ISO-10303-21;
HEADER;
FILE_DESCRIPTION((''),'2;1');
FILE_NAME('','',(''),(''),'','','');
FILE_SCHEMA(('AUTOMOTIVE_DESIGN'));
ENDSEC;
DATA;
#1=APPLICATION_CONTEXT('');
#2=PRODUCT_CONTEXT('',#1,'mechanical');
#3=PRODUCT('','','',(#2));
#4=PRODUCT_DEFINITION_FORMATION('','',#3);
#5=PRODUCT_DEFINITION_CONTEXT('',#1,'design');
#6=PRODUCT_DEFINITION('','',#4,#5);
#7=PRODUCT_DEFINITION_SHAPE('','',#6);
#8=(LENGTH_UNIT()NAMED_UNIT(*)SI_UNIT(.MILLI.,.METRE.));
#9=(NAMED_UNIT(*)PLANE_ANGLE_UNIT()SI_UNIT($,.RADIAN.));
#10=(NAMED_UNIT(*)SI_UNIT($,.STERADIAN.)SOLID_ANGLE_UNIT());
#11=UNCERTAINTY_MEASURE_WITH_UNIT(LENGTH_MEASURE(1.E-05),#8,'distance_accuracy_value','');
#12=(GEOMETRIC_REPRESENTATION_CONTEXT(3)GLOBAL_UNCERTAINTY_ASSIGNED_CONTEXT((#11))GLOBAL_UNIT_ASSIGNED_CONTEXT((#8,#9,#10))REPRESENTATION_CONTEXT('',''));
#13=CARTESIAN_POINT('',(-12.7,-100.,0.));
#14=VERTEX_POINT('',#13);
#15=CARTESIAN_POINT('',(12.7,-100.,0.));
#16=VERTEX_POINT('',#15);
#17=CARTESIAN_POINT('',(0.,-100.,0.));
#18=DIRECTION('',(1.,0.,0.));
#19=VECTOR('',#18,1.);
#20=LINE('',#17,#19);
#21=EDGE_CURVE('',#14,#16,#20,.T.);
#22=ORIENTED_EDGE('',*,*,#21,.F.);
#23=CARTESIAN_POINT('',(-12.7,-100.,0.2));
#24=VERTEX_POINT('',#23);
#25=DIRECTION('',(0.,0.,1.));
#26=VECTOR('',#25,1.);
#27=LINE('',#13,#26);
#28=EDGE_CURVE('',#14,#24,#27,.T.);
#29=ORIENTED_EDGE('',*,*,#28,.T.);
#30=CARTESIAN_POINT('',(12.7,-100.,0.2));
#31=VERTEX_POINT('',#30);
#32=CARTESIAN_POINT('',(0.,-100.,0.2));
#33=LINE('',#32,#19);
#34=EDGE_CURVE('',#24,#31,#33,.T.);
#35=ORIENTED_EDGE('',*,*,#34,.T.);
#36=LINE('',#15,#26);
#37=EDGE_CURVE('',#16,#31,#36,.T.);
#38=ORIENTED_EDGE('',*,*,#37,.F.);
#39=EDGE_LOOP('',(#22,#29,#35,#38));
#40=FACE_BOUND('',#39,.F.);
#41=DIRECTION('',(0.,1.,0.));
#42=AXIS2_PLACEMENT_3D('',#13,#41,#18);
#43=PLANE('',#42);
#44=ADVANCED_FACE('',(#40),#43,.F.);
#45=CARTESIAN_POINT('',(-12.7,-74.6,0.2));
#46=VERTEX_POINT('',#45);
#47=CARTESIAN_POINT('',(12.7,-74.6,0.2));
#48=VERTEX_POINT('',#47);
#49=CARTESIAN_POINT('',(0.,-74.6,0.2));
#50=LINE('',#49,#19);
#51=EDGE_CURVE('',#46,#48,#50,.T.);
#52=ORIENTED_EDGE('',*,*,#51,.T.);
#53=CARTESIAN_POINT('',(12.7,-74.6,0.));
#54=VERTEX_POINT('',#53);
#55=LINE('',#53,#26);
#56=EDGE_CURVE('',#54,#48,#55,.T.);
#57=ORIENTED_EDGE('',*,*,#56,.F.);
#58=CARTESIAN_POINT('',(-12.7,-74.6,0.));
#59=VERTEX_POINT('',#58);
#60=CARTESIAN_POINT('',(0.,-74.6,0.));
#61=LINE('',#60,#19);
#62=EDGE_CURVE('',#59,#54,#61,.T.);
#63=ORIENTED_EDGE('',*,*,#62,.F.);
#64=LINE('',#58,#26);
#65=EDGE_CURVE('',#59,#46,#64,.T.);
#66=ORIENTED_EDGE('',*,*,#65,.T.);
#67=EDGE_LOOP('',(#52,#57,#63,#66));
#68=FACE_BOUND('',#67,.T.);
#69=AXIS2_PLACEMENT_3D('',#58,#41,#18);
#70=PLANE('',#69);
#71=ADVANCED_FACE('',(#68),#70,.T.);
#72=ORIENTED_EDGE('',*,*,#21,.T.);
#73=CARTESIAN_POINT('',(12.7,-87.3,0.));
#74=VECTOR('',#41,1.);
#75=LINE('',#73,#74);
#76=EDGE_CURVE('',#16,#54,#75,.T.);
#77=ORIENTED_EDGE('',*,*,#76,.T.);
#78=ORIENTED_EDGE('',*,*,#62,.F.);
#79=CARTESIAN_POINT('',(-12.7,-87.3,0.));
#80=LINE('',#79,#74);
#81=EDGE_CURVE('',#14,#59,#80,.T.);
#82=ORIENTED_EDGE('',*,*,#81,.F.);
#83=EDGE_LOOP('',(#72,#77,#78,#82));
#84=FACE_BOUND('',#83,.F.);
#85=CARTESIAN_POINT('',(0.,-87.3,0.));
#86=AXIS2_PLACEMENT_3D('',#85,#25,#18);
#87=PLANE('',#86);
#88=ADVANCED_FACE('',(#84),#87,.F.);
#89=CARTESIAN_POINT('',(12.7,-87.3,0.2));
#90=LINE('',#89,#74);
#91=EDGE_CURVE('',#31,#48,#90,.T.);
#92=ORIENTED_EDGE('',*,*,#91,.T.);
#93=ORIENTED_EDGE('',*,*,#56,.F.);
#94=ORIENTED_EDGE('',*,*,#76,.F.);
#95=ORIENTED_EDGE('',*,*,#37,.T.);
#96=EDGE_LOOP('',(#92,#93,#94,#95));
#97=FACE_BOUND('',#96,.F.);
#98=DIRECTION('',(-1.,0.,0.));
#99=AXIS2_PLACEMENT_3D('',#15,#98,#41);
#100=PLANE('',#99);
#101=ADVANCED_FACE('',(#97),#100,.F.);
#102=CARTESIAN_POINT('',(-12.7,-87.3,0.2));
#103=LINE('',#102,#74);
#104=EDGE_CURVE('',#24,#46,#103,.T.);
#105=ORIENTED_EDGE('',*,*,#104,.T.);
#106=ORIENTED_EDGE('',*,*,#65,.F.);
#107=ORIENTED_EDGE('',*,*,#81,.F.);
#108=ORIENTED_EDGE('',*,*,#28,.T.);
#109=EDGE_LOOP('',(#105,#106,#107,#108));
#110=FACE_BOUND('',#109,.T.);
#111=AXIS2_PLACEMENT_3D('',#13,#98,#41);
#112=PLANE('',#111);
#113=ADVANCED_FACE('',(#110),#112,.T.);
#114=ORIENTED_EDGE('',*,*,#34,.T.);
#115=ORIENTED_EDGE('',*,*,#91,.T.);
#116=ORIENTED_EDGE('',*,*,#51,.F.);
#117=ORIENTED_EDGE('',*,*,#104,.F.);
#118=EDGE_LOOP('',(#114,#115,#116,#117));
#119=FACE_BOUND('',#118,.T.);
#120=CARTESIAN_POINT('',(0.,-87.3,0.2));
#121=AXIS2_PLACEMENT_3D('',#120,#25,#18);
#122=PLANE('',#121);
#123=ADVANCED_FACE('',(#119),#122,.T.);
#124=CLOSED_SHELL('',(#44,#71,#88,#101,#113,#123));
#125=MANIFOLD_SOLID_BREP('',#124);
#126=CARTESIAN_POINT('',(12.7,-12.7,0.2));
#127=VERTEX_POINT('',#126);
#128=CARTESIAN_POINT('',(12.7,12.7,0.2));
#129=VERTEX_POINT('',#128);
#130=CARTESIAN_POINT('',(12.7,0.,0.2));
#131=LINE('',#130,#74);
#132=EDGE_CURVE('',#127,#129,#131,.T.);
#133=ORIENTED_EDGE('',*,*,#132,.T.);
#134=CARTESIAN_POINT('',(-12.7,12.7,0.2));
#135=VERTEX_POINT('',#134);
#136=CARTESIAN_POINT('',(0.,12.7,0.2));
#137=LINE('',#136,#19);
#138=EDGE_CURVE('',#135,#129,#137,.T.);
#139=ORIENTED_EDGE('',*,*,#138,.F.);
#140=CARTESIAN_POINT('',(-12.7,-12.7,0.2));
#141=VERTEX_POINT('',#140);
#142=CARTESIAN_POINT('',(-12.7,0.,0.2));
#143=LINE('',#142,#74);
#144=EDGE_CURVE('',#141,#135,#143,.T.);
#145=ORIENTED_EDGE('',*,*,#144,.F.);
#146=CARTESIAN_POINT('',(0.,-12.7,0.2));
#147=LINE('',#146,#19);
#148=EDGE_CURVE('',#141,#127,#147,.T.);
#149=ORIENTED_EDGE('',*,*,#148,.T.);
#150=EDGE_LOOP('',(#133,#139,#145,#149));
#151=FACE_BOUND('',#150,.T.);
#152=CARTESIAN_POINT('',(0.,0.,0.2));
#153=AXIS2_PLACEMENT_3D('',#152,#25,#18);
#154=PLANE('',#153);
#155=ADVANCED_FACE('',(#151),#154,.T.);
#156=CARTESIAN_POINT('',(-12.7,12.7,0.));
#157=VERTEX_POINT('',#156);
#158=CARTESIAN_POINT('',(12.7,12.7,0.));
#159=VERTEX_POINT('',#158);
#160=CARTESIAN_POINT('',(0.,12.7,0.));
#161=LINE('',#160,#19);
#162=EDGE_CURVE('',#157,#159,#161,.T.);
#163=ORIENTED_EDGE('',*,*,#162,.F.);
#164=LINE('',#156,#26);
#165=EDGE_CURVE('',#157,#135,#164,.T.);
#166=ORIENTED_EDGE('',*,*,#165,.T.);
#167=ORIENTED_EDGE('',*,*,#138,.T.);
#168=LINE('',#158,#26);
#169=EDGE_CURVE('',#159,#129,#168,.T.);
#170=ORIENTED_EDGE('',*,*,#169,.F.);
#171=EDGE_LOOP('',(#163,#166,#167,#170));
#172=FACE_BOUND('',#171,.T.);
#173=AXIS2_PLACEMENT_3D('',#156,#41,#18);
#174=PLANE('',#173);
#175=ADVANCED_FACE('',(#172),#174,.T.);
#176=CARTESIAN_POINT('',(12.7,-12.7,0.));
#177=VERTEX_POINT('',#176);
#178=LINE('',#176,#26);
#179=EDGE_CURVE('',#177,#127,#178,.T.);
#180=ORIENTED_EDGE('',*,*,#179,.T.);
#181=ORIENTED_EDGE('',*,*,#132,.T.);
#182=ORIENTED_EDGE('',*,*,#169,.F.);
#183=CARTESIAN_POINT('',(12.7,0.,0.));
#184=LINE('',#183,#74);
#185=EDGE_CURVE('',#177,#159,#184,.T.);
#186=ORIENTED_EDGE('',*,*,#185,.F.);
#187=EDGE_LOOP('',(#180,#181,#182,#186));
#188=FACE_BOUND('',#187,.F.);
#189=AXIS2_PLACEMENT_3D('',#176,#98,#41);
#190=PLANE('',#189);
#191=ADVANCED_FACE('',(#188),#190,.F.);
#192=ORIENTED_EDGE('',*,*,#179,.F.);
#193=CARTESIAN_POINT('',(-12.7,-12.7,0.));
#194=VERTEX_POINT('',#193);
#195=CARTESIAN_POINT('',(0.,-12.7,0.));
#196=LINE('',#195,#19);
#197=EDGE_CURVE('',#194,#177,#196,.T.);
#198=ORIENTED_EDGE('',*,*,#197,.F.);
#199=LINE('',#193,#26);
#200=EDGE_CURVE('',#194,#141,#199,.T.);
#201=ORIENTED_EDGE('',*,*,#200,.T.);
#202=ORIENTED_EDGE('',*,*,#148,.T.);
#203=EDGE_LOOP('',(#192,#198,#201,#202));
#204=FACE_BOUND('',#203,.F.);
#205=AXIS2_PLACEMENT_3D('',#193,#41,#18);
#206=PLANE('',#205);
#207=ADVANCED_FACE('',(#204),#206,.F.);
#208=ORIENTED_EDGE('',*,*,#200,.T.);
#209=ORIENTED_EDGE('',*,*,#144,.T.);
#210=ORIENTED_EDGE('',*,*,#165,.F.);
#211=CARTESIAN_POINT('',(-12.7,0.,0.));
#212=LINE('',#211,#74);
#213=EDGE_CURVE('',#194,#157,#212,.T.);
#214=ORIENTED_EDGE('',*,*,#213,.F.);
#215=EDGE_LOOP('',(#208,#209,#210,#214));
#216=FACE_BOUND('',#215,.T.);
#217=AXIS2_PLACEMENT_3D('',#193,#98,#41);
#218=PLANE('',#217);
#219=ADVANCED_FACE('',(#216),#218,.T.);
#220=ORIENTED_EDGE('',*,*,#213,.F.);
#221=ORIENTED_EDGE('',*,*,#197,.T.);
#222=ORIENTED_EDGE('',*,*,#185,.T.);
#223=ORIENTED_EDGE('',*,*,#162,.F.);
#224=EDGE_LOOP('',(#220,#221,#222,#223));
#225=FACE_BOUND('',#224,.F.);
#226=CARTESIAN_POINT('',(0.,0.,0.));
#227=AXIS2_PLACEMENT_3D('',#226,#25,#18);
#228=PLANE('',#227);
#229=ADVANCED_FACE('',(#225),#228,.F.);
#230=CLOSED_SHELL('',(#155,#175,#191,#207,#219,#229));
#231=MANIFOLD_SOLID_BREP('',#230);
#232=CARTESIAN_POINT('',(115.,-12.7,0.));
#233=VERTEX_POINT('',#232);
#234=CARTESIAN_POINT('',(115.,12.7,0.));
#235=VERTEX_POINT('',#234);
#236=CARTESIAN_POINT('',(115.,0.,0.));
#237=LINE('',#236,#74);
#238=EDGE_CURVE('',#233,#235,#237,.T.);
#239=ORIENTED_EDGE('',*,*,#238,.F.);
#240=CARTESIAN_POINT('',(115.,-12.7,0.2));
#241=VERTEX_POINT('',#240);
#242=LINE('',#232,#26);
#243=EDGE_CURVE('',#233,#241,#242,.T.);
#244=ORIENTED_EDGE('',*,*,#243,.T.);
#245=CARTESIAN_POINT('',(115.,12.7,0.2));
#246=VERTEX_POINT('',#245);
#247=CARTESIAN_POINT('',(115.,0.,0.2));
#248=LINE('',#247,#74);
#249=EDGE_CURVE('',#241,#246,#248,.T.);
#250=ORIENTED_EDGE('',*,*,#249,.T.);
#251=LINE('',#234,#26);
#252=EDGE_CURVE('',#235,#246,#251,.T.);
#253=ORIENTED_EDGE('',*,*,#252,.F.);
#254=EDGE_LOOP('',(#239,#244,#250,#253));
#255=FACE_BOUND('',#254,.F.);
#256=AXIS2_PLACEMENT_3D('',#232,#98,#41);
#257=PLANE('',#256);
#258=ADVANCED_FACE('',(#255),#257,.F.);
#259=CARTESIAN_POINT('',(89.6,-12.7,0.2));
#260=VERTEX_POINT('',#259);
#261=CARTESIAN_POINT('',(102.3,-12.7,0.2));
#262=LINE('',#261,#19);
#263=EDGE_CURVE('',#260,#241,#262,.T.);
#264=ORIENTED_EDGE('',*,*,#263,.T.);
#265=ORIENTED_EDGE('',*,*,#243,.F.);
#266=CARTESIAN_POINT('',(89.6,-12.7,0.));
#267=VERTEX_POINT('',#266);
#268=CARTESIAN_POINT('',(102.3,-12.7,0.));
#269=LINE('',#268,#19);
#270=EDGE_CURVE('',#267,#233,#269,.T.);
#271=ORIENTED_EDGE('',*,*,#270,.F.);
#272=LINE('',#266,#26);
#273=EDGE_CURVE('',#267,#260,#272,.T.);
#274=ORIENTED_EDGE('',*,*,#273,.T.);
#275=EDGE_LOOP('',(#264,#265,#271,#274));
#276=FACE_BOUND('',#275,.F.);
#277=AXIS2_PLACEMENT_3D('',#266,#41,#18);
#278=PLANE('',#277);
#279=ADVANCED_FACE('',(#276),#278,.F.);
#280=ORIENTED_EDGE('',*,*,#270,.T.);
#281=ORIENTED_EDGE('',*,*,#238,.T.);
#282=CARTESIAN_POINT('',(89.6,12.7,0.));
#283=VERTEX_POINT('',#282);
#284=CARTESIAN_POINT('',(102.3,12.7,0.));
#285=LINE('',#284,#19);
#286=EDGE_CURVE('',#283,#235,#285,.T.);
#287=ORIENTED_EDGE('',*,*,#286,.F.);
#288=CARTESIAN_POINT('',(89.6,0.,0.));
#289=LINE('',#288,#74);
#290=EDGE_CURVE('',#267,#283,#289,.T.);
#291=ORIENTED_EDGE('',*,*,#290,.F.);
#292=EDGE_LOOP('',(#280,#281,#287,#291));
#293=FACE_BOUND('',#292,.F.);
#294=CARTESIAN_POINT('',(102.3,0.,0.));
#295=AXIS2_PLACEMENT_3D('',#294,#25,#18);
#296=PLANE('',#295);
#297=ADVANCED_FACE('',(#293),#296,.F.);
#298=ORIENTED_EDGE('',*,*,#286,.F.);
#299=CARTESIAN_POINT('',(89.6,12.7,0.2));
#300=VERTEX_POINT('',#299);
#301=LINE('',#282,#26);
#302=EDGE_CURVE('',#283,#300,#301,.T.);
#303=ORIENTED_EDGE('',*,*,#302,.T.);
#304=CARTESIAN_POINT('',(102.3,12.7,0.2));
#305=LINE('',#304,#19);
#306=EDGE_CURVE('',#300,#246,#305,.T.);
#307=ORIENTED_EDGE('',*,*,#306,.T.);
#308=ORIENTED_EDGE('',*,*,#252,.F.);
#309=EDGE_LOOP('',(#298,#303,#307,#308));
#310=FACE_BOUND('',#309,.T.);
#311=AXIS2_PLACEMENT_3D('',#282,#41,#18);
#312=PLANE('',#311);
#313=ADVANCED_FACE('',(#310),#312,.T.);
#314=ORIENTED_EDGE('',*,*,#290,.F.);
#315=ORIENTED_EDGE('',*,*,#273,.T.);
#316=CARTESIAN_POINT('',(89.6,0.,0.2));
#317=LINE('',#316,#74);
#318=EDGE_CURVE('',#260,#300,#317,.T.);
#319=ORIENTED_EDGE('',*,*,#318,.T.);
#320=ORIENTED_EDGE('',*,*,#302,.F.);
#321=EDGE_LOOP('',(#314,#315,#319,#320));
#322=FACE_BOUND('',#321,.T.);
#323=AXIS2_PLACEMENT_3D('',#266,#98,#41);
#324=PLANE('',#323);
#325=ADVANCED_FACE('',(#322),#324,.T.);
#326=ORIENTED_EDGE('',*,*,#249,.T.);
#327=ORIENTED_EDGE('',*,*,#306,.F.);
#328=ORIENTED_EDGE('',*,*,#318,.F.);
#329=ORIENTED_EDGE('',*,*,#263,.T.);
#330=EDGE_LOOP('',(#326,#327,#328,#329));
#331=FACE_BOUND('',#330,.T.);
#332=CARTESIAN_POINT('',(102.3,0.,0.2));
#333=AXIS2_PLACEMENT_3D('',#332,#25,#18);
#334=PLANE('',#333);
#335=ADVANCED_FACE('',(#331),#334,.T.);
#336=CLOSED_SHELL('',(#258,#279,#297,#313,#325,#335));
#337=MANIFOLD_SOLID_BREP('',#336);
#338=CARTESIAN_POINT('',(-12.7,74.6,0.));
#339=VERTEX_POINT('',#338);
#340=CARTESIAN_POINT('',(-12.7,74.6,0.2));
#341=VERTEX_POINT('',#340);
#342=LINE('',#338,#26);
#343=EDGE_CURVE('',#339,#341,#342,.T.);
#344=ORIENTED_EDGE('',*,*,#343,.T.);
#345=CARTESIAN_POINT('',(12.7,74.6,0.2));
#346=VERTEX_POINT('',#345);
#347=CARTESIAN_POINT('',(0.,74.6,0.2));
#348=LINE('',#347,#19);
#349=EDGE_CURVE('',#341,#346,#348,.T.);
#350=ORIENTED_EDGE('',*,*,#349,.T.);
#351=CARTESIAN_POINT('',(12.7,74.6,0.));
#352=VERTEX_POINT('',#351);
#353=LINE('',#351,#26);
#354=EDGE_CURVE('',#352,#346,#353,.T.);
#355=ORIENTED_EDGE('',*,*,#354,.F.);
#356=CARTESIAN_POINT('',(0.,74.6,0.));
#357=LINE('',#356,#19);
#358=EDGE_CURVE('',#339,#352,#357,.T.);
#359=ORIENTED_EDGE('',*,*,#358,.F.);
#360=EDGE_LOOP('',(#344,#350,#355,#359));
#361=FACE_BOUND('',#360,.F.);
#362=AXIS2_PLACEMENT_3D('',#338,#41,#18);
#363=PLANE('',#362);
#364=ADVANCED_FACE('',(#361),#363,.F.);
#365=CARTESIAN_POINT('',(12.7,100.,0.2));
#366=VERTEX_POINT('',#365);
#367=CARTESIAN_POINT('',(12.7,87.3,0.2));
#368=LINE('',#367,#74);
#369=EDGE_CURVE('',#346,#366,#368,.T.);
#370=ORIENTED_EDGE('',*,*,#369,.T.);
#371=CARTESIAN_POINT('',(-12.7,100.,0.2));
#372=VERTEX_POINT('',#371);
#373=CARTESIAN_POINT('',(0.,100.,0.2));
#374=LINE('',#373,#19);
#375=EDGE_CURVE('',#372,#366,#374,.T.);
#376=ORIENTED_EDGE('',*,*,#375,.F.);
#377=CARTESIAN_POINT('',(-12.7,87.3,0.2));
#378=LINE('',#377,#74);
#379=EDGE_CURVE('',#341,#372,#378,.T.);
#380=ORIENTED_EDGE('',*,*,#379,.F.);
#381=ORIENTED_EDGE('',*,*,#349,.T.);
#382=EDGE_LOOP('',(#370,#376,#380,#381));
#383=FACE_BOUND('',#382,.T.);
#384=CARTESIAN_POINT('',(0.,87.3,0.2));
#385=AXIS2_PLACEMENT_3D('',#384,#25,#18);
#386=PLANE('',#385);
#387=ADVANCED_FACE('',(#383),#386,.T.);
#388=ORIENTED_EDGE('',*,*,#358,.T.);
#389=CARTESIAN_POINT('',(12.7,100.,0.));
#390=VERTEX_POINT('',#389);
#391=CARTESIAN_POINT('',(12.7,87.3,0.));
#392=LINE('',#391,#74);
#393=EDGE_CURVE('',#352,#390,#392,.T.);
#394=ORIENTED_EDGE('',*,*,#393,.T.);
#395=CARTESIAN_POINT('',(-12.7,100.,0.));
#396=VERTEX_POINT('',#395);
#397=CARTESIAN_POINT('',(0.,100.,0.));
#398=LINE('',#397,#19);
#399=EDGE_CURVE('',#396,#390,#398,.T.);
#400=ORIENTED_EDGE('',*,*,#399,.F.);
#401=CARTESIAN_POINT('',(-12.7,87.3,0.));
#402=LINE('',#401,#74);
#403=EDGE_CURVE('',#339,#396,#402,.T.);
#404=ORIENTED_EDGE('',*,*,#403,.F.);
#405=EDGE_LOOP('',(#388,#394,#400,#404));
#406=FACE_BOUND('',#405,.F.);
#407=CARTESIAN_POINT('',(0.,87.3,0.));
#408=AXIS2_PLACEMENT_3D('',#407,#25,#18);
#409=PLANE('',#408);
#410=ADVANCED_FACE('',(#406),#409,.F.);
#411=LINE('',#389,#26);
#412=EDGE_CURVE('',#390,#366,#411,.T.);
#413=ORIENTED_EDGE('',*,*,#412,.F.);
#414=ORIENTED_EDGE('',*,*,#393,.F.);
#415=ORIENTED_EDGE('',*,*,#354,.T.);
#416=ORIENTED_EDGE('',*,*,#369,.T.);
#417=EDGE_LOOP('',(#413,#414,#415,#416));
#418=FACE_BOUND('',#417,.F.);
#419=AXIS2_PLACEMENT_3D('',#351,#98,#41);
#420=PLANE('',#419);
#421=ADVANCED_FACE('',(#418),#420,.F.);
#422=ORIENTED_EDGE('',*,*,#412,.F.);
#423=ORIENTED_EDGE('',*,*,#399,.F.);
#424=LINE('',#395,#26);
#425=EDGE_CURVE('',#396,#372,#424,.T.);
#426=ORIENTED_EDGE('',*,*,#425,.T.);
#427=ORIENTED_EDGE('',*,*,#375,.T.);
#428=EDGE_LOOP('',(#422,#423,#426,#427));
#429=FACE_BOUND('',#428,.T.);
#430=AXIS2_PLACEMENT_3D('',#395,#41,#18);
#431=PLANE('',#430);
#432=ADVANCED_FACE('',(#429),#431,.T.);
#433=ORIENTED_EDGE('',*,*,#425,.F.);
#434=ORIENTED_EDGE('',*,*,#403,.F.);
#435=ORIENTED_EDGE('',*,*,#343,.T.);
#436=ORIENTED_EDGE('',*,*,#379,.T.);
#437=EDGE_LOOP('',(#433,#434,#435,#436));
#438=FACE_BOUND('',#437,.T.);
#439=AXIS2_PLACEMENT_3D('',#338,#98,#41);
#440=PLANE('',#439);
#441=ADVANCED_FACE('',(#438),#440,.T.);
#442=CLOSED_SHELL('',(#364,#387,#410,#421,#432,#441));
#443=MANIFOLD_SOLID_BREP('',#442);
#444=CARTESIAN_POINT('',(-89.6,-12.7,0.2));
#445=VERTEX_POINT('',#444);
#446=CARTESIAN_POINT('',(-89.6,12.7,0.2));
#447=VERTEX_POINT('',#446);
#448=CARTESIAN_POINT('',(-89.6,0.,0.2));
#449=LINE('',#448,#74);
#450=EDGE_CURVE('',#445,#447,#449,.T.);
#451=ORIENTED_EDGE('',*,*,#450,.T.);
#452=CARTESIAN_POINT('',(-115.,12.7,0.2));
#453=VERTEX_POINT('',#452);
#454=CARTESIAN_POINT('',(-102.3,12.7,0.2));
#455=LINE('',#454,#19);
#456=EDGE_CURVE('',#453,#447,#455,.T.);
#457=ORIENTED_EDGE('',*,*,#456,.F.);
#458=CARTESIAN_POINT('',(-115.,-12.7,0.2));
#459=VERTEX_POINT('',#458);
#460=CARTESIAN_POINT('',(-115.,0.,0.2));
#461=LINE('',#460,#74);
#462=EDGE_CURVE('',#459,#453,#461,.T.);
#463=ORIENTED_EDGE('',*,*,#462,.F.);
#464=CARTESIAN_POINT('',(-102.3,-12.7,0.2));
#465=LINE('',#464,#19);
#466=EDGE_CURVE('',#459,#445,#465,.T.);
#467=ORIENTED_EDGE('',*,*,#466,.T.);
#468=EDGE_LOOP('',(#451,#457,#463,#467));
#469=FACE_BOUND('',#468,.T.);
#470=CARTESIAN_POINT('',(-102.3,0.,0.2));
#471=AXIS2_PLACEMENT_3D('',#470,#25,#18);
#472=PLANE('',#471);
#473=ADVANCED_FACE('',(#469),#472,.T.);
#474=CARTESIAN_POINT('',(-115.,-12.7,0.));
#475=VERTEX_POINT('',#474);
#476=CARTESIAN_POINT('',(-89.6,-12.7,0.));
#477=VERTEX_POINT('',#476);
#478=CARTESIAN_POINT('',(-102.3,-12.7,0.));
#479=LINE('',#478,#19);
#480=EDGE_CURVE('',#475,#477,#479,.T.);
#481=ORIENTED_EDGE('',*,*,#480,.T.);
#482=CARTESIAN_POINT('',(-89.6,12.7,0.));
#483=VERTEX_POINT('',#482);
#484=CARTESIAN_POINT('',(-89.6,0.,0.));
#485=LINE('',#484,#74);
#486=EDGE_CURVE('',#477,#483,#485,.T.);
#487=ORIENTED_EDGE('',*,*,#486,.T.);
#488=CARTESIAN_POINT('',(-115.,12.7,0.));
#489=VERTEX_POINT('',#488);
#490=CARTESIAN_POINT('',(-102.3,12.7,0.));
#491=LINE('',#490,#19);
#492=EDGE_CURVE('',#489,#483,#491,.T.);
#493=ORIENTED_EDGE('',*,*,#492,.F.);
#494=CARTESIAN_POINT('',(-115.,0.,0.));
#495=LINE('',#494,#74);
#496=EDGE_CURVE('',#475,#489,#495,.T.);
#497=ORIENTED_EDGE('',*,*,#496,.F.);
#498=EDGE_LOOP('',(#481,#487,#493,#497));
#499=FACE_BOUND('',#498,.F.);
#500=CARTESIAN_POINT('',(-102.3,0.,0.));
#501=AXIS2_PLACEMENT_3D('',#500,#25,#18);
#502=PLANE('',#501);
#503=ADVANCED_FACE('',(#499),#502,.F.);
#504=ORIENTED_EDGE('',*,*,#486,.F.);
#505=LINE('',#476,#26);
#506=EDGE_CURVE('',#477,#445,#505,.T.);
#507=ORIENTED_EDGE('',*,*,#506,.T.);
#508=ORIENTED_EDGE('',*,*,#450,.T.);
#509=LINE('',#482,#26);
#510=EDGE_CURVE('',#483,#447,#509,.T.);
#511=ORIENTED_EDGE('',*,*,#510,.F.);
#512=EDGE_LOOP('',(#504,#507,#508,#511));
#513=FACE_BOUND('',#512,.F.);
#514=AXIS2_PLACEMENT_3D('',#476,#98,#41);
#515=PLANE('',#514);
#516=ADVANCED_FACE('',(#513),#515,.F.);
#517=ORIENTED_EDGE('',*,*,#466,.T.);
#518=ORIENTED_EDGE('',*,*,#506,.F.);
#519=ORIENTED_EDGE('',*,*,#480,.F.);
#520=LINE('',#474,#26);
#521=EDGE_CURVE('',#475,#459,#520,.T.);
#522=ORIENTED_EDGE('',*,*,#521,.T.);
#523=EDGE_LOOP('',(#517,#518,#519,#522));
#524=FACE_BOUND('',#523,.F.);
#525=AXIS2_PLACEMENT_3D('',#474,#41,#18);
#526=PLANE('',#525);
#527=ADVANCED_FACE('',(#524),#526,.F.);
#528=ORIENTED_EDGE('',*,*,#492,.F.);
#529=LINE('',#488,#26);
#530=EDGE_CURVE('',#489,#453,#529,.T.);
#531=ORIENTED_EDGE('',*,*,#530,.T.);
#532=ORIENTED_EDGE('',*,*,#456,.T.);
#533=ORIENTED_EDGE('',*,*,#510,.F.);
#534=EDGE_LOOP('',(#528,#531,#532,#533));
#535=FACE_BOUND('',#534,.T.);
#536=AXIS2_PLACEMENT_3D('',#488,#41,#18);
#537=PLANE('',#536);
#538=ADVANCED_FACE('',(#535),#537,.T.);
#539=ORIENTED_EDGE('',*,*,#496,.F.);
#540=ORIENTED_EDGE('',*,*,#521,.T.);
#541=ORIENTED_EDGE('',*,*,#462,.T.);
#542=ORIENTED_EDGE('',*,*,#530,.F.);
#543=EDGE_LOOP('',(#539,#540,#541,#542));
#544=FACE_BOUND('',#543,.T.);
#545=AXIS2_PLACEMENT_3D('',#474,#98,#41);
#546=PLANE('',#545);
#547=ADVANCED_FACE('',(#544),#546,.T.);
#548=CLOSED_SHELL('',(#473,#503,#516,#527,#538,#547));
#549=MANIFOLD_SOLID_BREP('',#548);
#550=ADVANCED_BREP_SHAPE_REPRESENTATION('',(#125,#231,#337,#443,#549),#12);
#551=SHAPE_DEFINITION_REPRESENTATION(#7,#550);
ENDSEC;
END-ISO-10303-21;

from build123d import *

# Parameters (mm, degrees)
F0_W     = 25.4
F0_H     = 25.4
F1_DEPTH = 0.2


with BuildPart() as f1:
    # F0 (on Top) → F1 (new body)
    with BuildSketch(Plane.XY):
        Rectangle(F0_W, F0_H)
        with Locations((102.3, 0)):
            Rectangle(F0_W, F0_H)
        with Locations((-102.3, 0)):
            Rectangle(F0_W, F0_H)
        with Locations((0, 87.3)):
            Rectangle(F0_W, F0_H)
        with Locations((0, -87.3)):
            Rectangle(F0_W, F0_H)
    extrude(amount=F1_DEPTH)


solid = f1.part
